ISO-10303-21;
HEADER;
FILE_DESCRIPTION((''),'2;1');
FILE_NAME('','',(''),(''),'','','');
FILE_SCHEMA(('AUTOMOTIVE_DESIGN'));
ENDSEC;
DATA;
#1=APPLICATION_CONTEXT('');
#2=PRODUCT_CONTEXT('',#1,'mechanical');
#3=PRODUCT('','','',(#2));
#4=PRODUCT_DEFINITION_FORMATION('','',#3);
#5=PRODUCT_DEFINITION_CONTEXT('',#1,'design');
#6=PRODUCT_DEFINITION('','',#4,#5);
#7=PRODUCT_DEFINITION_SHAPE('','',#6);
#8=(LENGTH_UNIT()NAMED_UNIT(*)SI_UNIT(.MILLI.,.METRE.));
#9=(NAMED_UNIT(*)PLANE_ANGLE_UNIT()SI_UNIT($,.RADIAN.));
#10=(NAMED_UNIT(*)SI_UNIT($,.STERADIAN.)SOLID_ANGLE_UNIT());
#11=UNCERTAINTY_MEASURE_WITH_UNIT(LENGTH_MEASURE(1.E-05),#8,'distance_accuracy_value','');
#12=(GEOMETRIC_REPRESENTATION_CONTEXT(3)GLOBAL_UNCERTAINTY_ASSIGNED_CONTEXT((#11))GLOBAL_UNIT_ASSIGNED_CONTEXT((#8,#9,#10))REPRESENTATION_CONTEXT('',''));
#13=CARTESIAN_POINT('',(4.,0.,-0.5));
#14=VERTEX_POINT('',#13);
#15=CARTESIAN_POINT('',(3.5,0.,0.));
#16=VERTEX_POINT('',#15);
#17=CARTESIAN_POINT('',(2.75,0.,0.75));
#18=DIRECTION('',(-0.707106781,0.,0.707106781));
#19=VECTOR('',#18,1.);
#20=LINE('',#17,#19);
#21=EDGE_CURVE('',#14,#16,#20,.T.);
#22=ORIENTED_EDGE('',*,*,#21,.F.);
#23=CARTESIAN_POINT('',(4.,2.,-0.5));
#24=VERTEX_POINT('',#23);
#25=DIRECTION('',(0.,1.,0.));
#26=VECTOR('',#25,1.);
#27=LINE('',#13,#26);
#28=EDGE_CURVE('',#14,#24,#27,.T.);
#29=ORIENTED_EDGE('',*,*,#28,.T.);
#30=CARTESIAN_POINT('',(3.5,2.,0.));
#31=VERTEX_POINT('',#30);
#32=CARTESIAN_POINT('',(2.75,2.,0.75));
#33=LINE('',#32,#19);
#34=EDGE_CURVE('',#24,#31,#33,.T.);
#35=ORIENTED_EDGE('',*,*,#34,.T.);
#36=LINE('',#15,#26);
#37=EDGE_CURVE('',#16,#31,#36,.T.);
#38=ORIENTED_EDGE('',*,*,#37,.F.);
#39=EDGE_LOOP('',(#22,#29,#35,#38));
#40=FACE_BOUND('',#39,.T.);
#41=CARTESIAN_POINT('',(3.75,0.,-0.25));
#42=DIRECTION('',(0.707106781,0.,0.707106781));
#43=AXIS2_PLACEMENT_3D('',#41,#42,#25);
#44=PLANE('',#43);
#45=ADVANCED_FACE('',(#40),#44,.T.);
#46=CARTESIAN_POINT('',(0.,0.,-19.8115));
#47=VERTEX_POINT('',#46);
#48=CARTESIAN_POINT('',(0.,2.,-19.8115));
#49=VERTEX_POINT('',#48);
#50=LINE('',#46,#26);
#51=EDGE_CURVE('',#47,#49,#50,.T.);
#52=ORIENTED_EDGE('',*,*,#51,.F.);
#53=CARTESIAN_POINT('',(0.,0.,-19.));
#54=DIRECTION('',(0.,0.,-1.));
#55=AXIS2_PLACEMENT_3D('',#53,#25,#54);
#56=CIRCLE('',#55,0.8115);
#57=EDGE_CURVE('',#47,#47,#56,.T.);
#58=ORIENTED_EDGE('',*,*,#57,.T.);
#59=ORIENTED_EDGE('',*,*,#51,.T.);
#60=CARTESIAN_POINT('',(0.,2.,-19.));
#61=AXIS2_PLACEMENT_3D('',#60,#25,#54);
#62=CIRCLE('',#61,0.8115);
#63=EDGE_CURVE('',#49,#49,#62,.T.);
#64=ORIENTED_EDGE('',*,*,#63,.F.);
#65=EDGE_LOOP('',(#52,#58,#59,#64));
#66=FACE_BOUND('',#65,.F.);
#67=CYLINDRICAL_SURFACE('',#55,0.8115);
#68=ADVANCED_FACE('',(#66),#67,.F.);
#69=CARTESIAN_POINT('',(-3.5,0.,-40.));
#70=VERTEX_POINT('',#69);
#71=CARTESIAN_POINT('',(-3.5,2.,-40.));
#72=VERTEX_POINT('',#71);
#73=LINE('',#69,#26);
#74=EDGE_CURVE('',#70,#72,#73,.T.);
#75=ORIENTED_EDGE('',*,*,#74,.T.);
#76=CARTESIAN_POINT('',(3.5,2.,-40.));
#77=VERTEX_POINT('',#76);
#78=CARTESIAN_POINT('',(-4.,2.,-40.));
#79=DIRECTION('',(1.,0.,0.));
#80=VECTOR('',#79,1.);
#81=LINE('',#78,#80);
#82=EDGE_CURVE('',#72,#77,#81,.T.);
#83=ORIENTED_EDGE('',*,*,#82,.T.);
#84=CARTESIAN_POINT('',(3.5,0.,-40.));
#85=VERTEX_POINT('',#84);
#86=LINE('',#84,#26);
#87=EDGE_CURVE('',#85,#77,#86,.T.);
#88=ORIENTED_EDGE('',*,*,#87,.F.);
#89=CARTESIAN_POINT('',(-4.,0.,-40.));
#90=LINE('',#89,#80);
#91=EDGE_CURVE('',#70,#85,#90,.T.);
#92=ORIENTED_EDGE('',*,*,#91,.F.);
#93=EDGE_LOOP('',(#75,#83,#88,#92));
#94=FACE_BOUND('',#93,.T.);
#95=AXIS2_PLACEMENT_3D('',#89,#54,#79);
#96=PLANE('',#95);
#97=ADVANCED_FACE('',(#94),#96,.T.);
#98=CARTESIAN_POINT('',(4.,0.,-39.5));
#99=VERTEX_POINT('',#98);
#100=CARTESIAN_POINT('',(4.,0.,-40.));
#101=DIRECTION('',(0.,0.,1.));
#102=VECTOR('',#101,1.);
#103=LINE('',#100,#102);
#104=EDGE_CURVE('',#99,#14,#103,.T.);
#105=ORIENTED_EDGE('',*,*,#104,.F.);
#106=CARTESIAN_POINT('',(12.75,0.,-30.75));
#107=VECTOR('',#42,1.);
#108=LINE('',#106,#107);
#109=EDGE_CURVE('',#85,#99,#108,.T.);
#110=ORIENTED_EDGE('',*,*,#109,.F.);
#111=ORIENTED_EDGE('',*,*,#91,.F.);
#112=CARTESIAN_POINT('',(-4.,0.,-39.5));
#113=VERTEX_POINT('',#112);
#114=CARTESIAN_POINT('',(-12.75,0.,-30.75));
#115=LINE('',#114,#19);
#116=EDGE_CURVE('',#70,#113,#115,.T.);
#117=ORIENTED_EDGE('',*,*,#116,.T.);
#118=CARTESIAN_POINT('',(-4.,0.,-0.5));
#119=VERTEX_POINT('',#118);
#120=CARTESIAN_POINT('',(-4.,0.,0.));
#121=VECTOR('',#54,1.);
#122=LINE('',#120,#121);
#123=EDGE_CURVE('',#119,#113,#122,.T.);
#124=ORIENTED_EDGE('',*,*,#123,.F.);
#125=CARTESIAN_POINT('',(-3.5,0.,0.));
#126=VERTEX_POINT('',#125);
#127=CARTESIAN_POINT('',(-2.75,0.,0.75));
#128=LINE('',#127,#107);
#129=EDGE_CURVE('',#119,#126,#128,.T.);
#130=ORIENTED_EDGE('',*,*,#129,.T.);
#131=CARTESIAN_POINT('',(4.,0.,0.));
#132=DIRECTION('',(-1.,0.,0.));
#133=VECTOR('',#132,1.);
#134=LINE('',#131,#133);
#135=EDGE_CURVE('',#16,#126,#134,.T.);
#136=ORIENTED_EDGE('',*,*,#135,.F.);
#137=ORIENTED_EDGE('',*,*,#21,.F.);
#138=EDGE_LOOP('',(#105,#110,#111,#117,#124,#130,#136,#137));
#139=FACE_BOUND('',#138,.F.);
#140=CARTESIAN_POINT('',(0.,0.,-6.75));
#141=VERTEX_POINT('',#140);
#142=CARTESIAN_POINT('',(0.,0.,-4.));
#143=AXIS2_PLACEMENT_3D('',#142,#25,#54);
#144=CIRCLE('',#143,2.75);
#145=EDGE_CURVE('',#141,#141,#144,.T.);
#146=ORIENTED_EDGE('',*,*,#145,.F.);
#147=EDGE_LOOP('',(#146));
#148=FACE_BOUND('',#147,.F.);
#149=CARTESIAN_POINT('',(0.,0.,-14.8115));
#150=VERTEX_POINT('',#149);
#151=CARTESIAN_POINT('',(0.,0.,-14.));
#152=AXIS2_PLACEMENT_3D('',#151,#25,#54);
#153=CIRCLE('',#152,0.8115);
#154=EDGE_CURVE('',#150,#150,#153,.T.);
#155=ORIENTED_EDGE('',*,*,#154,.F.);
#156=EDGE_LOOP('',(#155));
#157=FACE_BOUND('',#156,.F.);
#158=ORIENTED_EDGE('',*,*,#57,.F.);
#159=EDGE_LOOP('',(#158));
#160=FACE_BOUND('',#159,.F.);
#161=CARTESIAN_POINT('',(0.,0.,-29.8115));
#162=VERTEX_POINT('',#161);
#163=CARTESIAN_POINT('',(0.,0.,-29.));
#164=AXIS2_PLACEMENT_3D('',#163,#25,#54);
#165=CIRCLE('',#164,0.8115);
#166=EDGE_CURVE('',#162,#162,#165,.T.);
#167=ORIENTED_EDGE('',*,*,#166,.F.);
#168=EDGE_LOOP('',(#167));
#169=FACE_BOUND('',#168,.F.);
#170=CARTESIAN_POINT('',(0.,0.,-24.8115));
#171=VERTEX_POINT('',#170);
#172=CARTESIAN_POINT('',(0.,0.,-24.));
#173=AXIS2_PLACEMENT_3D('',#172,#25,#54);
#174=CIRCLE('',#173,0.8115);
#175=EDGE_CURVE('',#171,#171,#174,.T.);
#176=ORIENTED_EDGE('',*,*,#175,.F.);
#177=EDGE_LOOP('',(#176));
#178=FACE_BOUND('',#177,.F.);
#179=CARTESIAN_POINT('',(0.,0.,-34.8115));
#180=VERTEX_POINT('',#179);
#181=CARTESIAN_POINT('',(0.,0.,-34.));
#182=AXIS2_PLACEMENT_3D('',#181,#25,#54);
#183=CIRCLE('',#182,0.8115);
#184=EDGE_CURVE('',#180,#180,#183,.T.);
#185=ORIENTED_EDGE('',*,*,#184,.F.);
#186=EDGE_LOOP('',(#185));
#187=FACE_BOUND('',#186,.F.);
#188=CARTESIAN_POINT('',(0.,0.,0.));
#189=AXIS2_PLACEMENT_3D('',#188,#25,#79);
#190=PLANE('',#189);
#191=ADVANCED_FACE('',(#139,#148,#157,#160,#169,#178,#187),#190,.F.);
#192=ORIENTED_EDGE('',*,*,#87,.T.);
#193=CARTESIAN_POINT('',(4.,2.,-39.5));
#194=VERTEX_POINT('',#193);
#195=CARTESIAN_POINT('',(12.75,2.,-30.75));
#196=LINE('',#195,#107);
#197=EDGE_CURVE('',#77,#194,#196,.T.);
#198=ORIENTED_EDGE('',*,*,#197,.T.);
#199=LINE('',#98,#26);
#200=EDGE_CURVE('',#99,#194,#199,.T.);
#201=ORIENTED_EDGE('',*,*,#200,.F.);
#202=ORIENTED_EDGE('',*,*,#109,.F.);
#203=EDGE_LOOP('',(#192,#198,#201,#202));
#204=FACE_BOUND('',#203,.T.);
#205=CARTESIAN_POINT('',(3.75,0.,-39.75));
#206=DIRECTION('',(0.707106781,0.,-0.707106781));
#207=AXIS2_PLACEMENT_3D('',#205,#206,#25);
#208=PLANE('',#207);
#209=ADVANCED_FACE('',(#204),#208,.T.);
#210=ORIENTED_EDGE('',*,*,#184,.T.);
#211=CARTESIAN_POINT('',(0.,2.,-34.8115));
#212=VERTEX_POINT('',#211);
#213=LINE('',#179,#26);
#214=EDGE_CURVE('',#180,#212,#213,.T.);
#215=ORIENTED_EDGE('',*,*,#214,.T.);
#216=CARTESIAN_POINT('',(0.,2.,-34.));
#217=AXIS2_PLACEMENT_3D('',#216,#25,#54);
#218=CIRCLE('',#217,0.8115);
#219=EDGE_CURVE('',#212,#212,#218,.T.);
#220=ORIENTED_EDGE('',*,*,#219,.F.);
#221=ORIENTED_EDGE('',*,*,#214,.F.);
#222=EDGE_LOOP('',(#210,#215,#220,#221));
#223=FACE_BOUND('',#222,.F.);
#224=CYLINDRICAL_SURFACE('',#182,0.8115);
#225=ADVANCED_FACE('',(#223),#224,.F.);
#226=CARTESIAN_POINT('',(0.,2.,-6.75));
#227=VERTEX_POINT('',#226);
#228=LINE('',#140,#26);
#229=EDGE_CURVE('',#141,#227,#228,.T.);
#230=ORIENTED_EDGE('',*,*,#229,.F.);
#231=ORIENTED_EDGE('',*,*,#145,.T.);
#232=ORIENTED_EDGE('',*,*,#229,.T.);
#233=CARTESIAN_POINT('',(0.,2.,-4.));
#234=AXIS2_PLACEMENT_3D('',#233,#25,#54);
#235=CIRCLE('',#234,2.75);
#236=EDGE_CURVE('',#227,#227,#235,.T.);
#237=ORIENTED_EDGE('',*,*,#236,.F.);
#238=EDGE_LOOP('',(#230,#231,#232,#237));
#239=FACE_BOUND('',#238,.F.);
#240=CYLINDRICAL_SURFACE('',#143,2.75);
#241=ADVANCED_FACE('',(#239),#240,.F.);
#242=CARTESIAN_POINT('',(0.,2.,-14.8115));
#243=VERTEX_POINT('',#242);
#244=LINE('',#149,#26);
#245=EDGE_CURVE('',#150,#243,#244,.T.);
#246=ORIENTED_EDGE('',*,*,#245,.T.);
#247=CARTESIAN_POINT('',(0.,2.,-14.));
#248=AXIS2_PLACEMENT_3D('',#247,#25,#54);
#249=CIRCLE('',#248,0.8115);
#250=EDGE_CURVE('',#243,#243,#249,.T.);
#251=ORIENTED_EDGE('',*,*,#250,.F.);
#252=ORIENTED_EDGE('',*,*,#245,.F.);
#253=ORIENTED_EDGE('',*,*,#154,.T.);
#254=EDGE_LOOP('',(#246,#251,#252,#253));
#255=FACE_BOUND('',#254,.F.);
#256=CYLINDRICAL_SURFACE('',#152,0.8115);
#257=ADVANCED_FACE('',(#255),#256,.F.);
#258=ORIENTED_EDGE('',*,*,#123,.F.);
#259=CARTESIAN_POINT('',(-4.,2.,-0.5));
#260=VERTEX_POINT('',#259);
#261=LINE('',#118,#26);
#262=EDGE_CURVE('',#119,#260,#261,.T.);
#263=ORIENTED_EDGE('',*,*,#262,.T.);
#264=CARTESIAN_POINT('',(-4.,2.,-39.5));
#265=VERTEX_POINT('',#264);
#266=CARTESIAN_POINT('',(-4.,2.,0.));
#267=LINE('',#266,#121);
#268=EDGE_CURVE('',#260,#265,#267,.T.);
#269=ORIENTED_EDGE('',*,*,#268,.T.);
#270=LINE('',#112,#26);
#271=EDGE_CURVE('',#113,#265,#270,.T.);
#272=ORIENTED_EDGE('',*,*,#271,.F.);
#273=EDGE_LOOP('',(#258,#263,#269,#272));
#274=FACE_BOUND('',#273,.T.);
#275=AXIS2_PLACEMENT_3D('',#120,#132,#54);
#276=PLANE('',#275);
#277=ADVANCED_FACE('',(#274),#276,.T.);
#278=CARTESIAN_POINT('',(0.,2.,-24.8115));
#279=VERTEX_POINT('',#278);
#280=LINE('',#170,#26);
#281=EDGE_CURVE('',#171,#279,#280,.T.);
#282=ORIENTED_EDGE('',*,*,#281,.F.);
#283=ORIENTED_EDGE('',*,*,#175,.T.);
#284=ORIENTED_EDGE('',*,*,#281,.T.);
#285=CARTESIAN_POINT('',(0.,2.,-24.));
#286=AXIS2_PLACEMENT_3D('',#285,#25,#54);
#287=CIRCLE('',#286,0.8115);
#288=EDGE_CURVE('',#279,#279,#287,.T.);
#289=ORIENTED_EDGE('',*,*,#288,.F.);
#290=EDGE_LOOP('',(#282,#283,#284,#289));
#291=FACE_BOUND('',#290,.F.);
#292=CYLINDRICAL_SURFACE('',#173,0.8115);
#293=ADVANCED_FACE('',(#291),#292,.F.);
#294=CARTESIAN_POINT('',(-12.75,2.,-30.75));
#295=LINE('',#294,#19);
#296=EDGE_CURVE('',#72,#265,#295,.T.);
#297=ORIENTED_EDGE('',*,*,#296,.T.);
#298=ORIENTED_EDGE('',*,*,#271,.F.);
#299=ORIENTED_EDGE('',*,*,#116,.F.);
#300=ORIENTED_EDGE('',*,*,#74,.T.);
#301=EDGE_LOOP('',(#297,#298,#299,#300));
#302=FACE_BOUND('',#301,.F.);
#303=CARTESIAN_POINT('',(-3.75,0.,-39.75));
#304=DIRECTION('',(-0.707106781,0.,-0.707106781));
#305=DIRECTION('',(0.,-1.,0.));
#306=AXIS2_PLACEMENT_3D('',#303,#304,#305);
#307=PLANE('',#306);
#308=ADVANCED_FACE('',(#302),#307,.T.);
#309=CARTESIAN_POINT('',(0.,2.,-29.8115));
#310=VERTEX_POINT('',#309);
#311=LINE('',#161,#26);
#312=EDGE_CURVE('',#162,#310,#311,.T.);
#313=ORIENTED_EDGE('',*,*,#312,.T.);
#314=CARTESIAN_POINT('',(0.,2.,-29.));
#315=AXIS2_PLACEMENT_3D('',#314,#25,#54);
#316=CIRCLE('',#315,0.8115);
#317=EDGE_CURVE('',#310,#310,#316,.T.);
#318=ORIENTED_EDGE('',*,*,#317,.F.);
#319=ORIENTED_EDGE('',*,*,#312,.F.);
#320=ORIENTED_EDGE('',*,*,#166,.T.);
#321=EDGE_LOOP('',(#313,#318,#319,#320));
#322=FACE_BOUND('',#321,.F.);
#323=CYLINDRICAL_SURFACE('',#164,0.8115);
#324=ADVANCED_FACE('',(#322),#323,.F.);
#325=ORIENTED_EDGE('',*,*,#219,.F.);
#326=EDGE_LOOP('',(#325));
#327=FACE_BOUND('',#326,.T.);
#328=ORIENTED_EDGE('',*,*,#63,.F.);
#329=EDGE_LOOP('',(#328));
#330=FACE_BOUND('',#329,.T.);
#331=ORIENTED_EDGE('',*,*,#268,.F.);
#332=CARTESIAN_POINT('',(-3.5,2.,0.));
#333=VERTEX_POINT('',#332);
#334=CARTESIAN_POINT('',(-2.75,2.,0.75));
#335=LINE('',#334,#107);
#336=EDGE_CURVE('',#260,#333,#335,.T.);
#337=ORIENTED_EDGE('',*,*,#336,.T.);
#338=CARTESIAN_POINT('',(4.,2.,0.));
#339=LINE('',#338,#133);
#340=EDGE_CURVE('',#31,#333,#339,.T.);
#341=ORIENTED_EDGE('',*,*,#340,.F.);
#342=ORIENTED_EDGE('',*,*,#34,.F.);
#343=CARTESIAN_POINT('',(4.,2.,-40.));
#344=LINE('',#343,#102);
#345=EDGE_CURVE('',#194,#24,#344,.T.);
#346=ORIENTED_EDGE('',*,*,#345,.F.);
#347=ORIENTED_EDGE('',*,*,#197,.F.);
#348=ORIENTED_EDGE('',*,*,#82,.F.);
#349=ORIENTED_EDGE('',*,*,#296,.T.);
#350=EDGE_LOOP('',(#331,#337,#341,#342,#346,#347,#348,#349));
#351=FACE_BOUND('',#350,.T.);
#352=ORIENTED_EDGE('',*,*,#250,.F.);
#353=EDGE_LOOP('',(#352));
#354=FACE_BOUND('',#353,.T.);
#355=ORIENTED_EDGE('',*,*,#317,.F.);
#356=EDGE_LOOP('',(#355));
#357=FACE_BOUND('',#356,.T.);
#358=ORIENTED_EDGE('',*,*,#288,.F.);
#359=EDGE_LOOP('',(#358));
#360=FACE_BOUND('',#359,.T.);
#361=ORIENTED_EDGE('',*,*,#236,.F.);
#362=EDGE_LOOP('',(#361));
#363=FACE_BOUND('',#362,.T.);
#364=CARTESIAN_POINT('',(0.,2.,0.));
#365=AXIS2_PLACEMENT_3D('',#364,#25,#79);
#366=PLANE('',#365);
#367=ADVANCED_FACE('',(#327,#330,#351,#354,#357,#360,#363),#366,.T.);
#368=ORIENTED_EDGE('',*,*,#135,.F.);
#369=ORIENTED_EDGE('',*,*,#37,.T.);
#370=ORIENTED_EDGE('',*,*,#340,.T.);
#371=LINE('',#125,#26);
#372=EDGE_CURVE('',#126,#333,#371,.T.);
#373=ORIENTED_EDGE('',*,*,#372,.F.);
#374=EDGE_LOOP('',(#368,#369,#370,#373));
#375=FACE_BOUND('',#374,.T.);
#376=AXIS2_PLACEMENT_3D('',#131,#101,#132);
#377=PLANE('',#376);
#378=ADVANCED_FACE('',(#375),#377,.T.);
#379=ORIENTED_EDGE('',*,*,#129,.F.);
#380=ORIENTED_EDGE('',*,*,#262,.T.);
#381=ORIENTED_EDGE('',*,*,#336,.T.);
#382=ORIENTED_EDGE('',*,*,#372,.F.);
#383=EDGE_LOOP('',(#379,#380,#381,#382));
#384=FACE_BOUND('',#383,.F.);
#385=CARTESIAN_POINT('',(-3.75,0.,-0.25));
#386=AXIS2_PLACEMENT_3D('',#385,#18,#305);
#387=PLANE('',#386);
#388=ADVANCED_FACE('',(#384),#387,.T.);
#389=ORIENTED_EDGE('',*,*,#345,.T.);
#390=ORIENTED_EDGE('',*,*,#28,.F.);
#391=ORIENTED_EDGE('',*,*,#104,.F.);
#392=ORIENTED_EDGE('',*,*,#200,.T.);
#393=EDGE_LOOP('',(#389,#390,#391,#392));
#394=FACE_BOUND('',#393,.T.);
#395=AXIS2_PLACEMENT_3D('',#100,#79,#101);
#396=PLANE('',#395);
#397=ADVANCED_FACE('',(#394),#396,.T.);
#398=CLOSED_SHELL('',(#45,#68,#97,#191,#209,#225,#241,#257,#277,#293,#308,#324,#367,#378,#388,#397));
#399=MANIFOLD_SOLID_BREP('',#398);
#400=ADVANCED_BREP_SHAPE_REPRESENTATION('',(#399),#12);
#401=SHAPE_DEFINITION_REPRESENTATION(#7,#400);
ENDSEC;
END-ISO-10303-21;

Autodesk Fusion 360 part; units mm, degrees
sketch "Sketch1" plane through (0, 0, 0) normal (0, 1, 0) x (1, 0, 0)
  line L0 (-4, 40) -> (4, 40)
  line L1 (4, 40) -> (4, 0)
  line L2 (4, 0) -> (-4, 0)
  line L3 (-4, 0) -> (-4, 40)
  point P0 (0, 4)
  point P1 (0, 14)
  dimension "d1" = 8
  dimension "d2" = 40
  dimension "d3" = 4
  dimension "d4" = 10
extrude "Extrude1" add sketch "Sketch1" along normal blind 2
hole "Hole1" at (0, 0, -4) direction (0, 1, 0) diameter 5.5 depth 16 tip angle 118
hole "Hole2" at (0, 0, -14) direction (0, 1, 0) diameter 1.623 depth 16 tip angle 118
pattern_linear "R-Pattern1" count 5 spacing 5 along (0, 0, -1) of "Hole2"
chamfer "Chamfer1" distance 0.5 angle 45 4 edges at (4, 1, 0) (-4, 1, 0) (4, 1, -40) (-4, 1, -40)
